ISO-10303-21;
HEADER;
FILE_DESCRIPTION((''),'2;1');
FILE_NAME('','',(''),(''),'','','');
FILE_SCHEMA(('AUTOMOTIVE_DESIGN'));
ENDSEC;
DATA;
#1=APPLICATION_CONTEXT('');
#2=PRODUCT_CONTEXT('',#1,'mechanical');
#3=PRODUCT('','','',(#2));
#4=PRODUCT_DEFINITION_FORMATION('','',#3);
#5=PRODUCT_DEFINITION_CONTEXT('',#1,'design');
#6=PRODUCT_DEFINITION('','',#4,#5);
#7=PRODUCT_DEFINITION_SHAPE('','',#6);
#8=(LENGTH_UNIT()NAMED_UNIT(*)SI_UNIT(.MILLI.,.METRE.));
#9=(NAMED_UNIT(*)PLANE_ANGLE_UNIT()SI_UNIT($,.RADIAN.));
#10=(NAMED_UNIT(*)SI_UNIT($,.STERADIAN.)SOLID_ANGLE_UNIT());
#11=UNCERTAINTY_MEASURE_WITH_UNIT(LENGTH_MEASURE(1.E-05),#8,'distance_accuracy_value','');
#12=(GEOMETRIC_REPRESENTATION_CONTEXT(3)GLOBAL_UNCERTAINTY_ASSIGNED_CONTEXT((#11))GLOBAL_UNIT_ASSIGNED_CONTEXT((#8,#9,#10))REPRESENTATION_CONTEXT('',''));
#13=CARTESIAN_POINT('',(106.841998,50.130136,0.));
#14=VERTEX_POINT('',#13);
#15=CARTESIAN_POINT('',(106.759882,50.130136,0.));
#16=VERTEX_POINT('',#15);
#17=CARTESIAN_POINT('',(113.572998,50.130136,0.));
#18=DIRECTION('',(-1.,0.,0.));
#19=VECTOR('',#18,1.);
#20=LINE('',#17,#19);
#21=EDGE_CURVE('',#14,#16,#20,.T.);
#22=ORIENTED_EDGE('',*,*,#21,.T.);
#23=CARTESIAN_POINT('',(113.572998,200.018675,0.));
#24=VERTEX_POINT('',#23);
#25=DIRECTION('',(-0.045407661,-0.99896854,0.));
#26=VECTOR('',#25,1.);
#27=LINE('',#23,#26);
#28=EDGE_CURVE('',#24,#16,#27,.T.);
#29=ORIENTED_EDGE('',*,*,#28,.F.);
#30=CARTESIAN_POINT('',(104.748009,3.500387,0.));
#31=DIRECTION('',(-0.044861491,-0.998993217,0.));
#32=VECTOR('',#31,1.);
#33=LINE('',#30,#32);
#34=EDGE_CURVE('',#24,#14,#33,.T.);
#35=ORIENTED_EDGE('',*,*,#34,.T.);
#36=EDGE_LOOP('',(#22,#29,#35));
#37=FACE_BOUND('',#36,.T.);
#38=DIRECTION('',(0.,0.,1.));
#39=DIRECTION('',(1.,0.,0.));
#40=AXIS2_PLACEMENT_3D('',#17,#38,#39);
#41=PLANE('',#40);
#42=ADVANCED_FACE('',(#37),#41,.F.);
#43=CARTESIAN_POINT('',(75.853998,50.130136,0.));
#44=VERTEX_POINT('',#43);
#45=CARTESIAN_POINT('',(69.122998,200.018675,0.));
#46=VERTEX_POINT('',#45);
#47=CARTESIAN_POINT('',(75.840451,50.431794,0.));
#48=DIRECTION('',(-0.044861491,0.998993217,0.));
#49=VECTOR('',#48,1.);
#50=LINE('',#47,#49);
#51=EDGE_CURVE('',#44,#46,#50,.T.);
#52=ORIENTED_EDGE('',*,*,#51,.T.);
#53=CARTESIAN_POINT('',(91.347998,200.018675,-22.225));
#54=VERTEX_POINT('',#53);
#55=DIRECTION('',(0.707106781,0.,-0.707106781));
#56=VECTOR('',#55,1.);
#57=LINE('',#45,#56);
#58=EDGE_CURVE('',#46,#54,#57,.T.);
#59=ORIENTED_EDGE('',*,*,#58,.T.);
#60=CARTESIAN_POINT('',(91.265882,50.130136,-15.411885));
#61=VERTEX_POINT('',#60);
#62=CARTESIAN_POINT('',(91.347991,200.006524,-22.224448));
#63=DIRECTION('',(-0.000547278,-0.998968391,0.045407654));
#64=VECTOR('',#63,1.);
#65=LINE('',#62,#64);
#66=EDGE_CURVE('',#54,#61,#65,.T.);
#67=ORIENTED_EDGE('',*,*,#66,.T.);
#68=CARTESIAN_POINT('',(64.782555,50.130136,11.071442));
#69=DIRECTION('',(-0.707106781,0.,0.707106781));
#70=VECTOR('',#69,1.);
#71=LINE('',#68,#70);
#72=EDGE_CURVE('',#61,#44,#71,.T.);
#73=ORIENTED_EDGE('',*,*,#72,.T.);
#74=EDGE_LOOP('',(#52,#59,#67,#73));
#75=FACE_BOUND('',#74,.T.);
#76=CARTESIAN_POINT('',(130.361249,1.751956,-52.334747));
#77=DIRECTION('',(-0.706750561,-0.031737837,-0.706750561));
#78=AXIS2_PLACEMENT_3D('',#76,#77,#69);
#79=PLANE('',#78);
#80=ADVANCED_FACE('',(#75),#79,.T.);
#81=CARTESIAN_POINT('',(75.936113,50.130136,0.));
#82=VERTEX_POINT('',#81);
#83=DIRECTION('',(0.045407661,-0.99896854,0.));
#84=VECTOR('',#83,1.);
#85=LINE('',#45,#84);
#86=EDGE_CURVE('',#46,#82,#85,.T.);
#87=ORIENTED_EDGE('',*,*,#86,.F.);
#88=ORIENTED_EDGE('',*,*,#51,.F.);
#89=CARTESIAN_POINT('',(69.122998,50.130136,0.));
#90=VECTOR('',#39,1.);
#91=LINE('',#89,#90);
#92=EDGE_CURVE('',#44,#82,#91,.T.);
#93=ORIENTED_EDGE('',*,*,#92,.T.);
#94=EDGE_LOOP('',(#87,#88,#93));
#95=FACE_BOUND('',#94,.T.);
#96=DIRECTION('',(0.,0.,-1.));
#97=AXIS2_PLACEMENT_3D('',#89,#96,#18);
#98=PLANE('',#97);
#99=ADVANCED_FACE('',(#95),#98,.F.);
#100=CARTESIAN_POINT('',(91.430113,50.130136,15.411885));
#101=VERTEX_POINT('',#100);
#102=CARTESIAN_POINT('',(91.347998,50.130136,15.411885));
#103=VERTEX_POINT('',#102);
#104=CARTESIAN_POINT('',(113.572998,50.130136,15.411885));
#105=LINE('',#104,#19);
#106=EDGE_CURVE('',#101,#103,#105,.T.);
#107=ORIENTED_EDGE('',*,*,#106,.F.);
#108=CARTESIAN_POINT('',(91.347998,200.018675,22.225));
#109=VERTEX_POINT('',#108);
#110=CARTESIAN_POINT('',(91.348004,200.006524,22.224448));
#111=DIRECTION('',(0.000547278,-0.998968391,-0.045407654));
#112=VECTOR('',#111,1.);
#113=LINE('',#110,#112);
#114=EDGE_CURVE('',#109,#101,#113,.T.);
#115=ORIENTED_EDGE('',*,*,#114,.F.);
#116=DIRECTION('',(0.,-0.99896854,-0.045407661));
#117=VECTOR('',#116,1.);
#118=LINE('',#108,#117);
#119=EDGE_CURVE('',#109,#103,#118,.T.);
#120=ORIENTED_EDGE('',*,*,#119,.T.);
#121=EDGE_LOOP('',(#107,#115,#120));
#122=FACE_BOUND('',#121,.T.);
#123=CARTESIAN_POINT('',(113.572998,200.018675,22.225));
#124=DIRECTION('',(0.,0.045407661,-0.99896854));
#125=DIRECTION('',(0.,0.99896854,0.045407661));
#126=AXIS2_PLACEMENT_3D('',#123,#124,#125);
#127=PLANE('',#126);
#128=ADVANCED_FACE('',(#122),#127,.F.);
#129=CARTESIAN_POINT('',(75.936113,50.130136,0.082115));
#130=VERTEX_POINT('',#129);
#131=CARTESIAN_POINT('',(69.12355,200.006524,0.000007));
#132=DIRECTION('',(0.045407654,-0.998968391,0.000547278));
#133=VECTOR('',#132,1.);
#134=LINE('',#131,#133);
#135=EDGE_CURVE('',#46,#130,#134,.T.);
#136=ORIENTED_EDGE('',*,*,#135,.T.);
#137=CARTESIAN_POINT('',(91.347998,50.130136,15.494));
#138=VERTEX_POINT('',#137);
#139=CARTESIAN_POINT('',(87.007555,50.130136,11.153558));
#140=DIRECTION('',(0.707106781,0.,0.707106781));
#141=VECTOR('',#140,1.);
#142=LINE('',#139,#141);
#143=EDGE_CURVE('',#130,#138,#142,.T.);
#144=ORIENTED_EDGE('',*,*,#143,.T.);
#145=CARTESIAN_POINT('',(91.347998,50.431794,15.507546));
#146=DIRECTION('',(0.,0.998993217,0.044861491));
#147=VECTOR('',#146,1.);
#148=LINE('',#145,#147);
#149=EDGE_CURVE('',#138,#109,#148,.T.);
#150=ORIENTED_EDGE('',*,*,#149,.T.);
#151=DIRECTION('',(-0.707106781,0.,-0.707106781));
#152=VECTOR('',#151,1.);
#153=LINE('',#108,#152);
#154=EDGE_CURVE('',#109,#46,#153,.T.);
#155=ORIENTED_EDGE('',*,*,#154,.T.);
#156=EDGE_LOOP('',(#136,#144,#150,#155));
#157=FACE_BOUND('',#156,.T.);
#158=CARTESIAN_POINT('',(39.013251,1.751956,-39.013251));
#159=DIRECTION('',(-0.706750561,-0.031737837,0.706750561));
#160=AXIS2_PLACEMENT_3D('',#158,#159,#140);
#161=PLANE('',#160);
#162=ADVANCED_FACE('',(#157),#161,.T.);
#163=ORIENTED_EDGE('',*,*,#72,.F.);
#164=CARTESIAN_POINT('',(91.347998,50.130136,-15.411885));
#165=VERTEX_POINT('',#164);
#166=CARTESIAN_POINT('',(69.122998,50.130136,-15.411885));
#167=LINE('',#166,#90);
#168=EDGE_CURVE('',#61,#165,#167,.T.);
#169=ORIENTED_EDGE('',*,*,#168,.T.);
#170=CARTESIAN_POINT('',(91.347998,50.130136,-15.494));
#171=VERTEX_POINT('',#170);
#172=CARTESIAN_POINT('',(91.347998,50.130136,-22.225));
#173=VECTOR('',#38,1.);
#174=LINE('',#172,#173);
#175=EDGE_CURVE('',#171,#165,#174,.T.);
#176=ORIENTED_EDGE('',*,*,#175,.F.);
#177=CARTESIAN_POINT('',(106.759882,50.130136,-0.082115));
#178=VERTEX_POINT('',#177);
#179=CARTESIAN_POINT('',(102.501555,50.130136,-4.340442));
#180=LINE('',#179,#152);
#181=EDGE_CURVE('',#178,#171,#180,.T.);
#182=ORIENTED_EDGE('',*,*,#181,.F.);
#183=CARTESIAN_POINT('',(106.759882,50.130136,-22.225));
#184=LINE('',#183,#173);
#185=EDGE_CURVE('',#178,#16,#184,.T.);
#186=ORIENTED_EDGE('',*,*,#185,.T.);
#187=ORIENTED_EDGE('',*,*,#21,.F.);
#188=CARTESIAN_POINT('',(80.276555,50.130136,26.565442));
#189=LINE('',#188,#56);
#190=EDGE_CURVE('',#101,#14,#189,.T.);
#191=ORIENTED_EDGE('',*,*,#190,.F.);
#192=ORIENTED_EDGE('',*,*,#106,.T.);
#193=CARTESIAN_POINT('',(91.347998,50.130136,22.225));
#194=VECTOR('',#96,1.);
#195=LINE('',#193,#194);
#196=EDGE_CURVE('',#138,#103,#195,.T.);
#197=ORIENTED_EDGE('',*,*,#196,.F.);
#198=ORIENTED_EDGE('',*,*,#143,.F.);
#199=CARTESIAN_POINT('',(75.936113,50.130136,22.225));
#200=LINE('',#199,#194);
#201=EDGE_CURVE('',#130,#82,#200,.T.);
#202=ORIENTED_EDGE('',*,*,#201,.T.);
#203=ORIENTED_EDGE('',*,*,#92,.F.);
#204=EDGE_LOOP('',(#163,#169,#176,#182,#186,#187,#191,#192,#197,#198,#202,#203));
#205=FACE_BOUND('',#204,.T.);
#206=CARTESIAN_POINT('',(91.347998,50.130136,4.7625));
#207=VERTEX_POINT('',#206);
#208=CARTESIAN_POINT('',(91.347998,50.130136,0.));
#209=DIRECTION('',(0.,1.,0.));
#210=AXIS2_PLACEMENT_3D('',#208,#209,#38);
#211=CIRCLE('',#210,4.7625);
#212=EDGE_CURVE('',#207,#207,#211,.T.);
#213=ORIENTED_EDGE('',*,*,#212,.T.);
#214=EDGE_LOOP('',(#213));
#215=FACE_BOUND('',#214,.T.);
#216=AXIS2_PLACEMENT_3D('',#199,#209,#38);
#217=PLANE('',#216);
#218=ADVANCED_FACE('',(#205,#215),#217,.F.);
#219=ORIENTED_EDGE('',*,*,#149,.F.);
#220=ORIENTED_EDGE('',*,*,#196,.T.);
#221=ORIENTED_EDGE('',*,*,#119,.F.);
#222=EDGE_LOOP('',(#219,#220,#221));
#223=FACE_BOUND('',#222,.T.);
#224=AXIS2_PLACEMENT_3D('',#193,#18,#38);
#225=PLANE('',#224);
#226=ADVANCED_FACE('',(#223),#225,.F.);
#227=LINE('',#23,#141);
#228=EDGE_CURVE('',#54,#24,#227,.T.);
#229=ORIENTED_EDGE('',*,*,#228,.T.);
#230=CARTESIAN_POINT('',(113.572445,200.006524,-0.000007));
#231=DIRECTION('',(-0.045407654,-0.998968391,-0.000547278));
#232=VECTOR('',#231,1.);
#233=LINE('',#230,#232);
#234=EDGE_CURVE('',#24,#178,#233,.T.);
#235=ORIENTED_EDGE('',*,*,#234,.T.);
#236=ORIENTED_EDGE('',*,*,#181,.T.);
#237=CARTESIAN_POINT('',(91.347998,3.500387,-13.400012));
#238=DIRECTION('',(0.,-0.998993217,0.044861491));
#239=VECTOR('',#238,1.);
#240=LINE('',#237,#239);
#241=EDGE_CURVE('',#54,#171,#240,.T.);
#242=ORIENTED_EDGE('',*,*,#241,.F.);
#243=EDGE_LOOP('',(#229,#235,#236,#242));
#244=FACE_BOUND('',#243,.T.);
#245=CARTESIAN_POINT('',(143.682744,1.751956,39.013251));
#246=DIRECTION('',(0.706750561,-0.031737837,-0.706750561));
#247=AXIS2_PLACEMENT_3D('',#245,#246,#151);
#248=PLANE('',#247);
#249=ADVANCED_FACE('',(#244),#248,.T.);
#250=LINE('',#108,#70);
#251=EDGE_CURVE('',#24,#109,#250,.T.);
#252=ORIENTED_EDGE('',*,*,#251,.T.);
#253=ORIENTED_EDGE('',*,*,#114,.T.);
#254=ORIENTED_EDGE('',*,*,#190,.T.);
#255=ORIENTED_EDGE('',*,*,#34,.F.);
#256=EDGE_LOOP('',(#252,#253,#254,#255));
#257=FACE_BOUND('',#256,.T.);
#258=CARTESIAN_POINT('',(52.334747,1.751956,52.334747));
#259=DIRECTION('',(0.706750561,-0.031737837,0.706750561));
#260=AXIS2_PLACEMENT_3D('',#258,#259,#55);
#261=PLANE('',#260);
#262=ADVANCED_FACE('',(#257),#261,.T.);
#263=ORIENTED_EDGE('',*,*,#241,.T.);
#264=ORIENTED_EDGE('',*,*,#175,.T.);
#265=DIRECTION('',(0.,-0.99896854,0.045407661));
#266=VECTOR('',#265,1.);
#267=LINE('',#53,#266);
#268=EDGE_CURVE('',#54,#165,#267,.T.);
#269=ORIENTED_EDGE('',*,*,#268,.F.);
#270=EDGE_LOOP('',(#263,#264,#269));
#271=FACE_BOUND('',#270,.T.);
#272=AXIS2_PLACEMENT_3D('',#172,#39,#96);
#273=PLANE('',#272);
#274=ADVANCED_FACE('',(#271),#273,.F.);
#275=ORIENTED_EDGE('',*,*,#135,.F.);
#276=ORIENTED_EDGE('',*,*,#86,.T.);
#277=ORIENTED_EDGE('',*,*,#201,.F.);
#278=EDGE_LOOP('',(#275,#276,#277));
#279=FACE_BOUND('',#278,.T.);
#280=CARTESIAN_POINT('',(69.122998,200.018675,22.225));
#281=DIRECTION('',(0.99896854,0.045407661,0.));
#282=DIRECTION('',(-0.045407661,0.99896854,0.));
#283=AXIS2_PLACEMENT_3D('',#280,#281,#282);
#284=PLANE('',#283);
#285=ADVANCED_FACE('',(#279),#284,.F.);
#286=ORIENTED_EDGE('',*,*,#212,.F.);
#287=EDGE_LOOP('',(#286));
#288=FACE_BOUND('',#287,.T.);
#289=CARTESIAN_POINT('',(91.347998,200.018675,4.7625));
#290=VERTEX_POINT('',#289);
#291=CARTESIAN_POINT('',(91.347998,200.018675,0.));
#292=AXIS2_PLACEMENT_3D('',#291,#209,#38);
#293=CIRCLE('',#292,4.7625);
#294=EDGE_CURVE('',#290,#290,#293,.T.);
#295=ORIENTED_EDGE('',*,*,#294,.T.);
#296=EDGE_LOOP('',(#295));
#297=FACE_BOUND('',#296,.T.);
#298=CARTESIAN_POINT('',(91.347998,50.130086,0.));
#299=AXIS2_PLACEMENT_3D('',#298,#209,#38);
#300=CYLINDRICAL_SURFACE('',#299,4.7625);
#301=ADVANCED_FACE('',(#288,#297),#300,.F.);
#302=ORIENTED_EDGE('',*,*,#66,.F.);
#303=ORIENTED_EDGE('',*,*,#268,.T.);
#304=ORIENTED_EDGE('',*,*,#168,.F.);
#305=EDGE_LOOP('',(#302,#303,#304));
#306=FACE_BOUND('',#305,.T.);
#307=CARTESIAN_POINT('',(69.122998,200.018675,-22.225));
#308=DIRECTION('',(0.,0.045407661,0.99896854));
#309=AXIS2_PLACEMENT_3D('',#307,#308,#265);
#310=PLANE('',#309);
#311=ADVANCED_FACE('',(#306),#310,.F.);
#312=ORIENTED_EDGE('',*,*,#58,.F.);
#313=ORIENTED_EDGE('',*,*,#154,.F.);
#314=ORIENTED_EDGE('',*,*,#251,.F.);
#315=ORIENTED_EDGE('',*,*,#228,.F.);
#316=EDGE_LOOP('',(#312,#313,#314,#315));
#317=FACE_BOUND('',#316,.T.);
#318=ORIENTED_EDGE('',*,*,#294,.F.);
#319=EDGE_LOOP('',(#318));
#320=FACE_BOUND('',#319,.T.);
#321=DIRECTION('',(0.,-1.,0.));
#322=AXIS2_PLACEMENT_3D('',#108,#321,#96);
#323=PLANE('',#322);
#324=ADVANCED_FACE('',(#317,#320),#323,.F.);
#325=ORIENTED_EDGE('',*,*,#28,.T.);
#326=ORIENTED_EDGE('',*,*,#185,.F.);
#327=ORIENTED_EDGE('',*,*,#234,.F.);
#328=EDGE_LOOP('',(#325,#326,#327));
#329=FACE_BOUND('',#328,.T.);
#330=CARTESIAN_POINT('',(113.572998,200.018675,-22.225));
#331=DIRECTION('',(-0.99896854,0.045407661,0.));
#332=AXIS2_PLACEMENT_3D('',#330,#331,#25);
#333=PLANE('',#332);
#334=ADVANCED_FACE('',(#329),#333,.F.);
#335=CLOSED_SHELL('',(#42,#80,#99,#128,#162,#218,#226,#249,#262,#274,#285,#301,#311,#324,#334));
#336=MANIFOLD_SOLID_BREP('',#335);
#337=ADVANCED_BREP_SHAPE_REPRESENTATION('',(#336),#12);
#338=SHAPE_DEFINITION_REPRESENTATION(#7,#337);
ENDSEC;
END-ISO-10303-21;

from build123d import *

# Parameters (mm, degrees)
BOSS_EXTRUDE1_DEPTH = 22.225
SKETCH4_W           = 42.895640362
SKETCH4_H           = 166.52307566
CUT_EXTRUDE2_DEPTH  = 22.225
CIRPATTERN1_COUNT   = 4
SKETCH5_R           = 4.7625
CUT_EXTRUDE3_DEPTH  = 190.365652901


with BuildPart() as part:
    # Sketch1 → Boss-Extrude1 (new body)
    with BuildSketch(Plane.XY):
        Polygon((75.93611291, 50.130135743), (91.347997502, 50.130135743), (91.347997502, 200.018674704), (69.122997502, 200.018674704), align=None)
    boss_extrude1 = extrude(amount=BOSS_EXTRUDE1_DEPTH)

    # Sketch4 → Cut-Extrude2 (cut)
    with BuildSketch(Plane(origin=(39.013250999, 1.751956449, -39.013250999), x_dir=(0.7060390157604001, 0.031705883905462015, 0.7074628224506635), z_dir=(-0.7067505605587739, -0.03173783703590832, 0.7067505605587739))):
        with Locations((68.323098286, 123.218808293)):
            Rectangle(SKETCH4_W, SKETCH4_H)
    cut_extrude2 = extrude(amount=CUT_EXTRUDE2_DEPTH, mode=Mode.SUBTRACT)

    # CirPattern1: Boss-Extrude1, Cut-Extrude2 ×4 about axis
    cirpattern1_axis = Axis((91.347997502, 0, 0), (0, 1, 0))
    add([boss_extrude1.rotate(cirpattern1_axis, i * 360 / CIRPATTERN1_COUNT) for i in range(1, CIRPATTERN1_COUNT)])
    add([cut_extrude2.rotate(cirpattern1_axis, i * 360 / CIRPATTERN1_COUNT) for i in range(1, CIRPATTERN1_COUNT)], mode=Mode.SUBTRACT)

    # Sketch5 → Cut-Extrude3 (cut, through all)
    with BuildSketch(Plane(origin=(0, 200.018674704, 0), x_dir=(1, 0, 0), z_dir=(0, 1, 0))):
        with Locations(Location((91.347997502, 0, 0), (0, 0, 270))):
            Circle(SKETCH5_R)
    extrude(amount=-CUT_EXTRUDE3_DEPTH, mode=Mode.SUBTRACT)


solid = part.part
